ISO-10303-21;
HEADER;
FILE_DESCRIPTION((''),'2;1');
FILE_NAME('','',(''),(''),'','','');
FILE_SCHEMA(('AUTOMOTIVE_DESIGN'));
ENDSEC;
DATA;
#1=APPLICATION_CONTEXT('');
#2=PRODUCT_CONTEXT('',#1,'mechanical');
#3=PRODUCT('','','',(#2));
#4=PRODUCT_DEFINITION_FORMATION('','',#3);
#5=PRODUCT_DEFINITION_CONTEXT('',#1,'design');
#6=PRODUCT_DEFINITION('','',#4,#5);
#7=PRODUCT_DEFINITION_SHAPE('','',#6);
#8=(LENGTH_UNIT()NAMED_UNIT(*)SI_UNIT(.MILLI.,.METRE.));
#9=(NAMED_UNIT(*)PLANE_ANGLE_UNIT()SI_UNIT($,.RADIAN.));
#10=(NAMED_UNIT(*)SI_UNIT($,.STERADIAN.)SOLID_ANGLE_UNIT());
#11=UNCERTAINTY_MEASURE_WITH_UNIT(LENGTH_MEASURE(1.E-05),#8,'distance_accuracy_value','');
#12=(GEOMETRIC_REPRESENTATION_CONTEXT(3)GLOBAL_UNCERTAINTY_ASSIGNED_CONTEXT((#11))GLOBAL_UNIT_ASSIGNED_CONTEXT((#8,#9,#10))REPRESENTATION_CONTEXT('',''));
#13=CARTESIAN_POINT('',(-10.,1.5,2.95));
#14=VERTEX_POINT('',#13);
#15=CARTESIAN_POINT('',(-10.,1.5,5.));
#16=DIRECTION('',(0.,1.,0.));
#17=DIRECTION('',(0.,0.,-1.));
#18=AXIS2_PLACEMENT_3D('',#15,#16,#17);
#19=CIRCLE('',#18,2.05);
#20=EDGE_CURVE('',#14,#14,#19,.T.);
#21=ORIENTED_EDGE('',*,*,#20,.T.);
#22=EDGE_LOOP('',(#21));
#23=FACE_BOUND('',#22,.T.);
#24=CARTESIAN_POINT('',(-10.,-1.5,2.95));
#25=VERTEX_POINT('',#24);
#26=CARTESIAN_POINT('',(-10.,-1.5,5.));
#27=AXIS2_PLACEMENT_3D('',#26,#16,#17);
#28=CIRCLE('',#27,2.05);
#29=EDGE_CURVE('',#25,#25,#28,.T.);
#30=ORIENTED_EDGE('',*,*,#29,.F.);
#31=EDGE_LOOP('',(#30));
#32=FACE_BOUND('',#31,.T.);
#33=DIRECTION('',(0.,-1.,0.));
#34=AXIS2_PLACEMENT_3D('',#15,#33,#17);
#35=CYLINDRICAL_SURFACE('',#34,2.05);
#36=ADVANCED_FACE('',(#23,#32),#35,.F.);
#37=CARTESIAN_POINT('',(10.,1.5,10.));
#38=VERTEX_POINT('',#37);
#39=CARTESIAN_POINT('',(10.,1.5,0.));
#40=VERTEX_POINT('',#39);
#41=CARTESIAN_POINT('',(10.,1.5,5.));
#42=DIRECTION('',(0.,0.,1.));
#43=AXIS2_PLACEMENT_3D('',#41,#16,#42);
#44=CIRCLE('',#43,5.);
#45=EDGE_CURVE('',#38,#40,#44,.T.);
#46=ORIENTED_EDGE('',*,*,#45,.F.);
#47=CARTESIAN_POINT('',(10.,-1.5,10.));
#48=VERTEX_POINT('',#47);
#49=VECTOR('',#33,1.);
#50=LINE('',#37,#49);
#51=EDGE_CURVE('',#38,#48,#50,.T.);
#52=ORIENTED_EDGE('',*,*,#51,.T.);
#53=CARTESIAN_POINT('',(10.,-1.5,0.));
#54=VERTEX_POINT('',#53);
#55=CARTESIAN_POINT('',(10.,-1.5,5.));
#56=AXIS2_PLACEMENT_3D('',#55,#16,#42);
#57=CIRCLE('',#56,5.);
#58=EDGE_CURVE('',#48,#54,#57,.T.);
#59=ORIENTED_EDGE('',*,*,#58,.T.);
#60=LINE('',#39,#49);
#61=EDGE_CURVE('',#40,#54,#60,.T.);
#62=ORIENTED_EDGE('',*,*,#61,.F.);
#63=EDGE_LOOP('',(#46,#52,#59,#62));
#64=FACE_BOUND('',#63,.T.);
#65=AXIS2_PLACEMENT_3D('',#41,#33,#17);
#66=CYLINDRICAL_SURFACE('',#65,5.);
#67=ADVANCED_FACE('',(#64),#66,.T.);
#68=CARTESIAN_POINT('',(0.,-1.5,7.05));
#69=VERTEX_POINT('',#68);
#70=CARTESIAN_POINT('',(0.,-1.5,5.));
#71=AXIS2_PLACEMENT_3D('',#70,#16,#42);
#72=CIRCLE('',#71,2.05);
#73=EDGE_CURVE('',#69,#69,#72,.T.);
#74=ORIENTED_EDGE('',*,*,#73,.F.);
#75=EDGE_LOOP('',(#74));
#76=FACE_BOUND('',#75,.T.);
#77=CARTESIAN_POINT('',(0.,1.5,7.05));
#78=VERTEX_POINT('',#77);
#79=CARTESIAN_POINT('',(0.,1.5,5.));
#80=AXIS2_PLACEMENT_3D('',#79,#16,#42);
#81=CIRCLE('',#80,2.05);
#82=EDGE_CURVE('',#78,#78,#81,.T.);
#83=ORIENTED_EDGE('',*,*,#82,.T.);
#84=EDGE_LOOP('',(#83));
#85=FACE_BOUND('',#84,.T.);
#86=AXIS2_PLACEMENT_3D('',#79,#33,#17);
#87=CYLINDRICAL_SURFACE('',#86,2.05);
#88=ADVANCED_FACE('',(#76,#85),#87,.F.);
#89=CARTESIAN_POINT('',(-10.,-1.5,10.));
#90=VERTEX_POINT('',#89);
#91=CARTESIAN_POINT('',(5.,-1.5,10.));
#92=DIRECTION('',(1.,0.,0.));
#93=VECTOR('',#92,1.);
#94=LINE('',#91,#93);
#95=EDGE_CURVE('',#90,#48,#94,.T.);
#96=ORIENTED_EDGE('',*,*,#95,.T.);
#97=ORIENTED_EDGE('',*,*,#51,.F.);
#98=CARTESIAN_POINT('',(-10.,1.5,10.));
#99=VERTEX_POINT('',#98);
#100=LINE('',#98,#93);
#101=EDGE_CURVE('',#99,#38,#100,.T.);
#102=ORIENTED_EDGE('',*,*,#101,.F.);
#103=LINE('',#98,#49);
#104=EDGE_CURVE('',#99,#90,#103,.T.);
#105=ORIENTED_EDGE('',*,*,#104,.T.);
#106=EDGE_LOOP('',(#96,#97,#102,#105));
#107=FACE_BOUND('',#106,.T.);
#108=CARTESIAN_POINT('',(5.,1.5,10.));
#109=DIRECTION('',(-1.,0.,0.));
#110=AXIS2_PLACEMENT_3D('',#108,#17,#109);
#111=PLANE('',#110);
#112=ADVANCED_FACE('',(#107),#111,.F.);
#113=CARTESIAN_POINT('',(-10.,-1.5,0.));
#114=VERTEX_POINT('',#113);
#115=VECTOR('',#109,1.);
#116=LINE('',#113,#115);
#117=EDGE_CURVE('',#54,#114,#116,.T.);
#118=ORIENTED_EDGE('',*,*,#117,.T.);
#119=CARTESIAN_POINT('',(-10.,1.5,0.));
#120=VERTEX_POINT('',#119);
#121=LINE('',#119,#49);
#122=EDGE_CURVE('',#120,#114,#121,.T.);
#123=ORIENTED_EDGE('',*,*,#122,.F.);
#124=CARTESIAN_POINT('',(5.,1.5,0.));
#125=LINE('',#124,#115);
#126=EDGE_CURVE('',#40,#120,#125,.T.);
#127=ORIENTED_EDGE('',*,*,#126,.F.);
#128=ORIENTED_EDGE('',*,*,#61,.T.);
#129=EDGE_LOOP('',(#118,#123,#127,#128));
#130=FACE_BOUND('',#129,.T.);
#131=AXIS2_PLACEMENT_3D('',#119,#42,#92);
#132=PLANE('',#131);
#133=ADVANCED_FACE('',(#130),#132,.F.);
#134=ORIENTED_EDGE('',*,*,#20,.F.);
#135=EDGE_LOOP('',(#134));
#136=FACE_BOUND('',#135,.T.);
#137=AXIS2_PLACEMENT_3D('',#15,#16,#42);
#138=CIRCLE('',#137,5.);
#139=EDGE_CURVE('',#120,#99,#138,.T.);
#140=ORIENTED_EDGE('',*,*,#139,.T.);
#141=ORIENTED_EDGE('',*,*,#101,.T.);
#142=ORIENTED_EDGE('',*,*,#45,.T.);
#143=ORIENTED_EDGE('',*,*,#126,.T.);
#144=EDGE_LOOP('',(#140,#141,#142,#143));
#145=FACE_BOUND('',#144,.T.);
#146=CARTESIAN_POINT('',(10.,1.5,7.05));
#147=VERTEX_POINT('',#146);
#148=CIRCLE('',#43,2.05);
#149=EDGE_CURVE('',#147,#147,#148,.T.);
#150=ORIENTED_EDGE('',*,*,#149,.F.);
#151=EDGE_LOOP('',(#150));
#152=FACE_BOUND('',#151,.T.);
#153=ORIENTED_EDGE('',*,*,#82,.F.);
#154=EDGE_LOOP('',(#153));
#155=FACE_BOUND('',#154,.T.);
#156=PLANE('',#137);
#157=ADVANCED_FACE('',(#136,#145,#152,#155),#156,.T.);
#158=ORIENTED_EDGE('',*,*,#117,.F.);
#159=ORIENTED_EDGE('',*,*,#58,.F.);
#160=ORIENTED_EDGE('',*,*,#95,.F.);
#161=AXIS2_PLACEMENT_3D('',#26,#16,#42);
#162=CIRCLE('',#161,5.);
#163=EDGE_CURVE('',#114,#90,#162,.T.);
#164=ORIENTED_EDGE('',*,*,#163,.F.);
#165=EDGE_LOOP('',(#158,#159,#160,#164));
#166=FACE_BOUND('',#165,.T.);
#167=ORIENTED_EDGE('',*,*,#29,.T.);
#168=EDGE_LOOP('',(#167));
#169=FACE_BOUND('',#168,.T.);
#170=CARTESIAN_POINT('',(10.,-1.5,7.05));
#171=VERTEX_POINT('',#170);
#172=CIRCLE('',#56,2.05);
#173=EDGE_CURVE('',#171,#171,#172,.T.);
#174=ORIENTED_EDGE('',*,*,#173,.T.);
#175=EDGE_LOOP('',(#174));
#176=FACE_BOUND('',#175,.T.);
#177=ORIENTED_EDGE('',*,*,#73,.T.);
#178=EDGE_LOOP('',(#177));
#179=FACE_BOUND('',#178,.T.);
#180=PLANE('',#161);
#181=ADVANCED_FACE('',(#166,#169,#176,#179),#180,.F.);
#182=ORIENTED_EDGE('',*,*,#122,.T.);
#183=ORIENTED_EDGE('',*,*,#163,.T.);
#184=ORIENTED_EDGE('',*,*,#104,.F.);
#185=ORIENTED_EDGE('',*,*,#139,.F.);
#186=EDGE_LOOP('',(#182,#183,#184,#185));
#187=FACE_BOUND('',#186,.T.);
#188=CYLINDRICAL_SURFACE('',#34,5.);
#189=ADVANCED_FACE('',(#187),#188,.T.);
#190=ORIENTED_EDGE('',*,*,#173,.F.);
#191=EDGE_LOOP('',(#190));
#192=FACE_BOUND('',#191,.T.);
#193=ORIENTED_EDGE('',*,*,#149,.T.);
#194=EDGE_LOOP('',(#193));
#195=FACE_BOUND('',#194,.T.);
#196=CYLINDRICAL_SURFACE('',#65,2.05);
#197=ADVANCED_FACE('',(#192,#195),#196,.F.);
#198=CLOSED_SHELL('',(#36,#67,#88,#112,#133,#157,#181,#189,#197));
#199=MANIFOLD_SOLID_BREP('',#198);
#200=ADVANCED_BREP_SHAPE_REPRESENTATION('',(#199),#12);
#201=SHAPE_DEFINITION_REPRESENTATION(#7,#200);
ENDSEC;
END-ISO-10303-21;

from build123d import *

# Parameters (mm, degrees)
SKETCH1_R           = 2.05
BOSS_EXTRUDE1_DEPTH = 1.5


with BuildPart() as part:
    # Sketch1 → Boss-Extrude1 (new, symmetric)
    with BuildSketch(Plane(origin=(0, 0, 0), x_dir=(1, 0, 0), z_dir=(0, 1, 0))):
        with BuildLine():
            Line((-10, 0), (-5, 0))
            Line((-5, 0), (5, 0))
            Line((5, 0), (10, 0))
            ThreePointArc((10, 0), (15, -5), (10, -10))
            Line((10, -10), (5, -10))
            Line((5, -10), (-5, -10))
            Line((-5, -10), (-10, -10))
            ThreePointArc((-10, -10), (-15, -5), (-10, 0))
        make_face()
        with Locations(Location((10, -5, 0), (0, 0, 270))):
            Circle(SKETCH1_R, mode=Mode.SUBTRACT)
        with Locations(Location((-10, -5, 0), (0, 0, 90))):
            Circle(SKETCH1_R, mode=Mode.SUBTRACT)
        with Locations(Location((0, -5, 0), (0, 0, 270))):
            Circle(SKETCH1_R, mode=Mode.SUBTRACT)
    extrude(amount=BOSS_EXTRUDE1_DEPTH, both=True)


solid = part.part
